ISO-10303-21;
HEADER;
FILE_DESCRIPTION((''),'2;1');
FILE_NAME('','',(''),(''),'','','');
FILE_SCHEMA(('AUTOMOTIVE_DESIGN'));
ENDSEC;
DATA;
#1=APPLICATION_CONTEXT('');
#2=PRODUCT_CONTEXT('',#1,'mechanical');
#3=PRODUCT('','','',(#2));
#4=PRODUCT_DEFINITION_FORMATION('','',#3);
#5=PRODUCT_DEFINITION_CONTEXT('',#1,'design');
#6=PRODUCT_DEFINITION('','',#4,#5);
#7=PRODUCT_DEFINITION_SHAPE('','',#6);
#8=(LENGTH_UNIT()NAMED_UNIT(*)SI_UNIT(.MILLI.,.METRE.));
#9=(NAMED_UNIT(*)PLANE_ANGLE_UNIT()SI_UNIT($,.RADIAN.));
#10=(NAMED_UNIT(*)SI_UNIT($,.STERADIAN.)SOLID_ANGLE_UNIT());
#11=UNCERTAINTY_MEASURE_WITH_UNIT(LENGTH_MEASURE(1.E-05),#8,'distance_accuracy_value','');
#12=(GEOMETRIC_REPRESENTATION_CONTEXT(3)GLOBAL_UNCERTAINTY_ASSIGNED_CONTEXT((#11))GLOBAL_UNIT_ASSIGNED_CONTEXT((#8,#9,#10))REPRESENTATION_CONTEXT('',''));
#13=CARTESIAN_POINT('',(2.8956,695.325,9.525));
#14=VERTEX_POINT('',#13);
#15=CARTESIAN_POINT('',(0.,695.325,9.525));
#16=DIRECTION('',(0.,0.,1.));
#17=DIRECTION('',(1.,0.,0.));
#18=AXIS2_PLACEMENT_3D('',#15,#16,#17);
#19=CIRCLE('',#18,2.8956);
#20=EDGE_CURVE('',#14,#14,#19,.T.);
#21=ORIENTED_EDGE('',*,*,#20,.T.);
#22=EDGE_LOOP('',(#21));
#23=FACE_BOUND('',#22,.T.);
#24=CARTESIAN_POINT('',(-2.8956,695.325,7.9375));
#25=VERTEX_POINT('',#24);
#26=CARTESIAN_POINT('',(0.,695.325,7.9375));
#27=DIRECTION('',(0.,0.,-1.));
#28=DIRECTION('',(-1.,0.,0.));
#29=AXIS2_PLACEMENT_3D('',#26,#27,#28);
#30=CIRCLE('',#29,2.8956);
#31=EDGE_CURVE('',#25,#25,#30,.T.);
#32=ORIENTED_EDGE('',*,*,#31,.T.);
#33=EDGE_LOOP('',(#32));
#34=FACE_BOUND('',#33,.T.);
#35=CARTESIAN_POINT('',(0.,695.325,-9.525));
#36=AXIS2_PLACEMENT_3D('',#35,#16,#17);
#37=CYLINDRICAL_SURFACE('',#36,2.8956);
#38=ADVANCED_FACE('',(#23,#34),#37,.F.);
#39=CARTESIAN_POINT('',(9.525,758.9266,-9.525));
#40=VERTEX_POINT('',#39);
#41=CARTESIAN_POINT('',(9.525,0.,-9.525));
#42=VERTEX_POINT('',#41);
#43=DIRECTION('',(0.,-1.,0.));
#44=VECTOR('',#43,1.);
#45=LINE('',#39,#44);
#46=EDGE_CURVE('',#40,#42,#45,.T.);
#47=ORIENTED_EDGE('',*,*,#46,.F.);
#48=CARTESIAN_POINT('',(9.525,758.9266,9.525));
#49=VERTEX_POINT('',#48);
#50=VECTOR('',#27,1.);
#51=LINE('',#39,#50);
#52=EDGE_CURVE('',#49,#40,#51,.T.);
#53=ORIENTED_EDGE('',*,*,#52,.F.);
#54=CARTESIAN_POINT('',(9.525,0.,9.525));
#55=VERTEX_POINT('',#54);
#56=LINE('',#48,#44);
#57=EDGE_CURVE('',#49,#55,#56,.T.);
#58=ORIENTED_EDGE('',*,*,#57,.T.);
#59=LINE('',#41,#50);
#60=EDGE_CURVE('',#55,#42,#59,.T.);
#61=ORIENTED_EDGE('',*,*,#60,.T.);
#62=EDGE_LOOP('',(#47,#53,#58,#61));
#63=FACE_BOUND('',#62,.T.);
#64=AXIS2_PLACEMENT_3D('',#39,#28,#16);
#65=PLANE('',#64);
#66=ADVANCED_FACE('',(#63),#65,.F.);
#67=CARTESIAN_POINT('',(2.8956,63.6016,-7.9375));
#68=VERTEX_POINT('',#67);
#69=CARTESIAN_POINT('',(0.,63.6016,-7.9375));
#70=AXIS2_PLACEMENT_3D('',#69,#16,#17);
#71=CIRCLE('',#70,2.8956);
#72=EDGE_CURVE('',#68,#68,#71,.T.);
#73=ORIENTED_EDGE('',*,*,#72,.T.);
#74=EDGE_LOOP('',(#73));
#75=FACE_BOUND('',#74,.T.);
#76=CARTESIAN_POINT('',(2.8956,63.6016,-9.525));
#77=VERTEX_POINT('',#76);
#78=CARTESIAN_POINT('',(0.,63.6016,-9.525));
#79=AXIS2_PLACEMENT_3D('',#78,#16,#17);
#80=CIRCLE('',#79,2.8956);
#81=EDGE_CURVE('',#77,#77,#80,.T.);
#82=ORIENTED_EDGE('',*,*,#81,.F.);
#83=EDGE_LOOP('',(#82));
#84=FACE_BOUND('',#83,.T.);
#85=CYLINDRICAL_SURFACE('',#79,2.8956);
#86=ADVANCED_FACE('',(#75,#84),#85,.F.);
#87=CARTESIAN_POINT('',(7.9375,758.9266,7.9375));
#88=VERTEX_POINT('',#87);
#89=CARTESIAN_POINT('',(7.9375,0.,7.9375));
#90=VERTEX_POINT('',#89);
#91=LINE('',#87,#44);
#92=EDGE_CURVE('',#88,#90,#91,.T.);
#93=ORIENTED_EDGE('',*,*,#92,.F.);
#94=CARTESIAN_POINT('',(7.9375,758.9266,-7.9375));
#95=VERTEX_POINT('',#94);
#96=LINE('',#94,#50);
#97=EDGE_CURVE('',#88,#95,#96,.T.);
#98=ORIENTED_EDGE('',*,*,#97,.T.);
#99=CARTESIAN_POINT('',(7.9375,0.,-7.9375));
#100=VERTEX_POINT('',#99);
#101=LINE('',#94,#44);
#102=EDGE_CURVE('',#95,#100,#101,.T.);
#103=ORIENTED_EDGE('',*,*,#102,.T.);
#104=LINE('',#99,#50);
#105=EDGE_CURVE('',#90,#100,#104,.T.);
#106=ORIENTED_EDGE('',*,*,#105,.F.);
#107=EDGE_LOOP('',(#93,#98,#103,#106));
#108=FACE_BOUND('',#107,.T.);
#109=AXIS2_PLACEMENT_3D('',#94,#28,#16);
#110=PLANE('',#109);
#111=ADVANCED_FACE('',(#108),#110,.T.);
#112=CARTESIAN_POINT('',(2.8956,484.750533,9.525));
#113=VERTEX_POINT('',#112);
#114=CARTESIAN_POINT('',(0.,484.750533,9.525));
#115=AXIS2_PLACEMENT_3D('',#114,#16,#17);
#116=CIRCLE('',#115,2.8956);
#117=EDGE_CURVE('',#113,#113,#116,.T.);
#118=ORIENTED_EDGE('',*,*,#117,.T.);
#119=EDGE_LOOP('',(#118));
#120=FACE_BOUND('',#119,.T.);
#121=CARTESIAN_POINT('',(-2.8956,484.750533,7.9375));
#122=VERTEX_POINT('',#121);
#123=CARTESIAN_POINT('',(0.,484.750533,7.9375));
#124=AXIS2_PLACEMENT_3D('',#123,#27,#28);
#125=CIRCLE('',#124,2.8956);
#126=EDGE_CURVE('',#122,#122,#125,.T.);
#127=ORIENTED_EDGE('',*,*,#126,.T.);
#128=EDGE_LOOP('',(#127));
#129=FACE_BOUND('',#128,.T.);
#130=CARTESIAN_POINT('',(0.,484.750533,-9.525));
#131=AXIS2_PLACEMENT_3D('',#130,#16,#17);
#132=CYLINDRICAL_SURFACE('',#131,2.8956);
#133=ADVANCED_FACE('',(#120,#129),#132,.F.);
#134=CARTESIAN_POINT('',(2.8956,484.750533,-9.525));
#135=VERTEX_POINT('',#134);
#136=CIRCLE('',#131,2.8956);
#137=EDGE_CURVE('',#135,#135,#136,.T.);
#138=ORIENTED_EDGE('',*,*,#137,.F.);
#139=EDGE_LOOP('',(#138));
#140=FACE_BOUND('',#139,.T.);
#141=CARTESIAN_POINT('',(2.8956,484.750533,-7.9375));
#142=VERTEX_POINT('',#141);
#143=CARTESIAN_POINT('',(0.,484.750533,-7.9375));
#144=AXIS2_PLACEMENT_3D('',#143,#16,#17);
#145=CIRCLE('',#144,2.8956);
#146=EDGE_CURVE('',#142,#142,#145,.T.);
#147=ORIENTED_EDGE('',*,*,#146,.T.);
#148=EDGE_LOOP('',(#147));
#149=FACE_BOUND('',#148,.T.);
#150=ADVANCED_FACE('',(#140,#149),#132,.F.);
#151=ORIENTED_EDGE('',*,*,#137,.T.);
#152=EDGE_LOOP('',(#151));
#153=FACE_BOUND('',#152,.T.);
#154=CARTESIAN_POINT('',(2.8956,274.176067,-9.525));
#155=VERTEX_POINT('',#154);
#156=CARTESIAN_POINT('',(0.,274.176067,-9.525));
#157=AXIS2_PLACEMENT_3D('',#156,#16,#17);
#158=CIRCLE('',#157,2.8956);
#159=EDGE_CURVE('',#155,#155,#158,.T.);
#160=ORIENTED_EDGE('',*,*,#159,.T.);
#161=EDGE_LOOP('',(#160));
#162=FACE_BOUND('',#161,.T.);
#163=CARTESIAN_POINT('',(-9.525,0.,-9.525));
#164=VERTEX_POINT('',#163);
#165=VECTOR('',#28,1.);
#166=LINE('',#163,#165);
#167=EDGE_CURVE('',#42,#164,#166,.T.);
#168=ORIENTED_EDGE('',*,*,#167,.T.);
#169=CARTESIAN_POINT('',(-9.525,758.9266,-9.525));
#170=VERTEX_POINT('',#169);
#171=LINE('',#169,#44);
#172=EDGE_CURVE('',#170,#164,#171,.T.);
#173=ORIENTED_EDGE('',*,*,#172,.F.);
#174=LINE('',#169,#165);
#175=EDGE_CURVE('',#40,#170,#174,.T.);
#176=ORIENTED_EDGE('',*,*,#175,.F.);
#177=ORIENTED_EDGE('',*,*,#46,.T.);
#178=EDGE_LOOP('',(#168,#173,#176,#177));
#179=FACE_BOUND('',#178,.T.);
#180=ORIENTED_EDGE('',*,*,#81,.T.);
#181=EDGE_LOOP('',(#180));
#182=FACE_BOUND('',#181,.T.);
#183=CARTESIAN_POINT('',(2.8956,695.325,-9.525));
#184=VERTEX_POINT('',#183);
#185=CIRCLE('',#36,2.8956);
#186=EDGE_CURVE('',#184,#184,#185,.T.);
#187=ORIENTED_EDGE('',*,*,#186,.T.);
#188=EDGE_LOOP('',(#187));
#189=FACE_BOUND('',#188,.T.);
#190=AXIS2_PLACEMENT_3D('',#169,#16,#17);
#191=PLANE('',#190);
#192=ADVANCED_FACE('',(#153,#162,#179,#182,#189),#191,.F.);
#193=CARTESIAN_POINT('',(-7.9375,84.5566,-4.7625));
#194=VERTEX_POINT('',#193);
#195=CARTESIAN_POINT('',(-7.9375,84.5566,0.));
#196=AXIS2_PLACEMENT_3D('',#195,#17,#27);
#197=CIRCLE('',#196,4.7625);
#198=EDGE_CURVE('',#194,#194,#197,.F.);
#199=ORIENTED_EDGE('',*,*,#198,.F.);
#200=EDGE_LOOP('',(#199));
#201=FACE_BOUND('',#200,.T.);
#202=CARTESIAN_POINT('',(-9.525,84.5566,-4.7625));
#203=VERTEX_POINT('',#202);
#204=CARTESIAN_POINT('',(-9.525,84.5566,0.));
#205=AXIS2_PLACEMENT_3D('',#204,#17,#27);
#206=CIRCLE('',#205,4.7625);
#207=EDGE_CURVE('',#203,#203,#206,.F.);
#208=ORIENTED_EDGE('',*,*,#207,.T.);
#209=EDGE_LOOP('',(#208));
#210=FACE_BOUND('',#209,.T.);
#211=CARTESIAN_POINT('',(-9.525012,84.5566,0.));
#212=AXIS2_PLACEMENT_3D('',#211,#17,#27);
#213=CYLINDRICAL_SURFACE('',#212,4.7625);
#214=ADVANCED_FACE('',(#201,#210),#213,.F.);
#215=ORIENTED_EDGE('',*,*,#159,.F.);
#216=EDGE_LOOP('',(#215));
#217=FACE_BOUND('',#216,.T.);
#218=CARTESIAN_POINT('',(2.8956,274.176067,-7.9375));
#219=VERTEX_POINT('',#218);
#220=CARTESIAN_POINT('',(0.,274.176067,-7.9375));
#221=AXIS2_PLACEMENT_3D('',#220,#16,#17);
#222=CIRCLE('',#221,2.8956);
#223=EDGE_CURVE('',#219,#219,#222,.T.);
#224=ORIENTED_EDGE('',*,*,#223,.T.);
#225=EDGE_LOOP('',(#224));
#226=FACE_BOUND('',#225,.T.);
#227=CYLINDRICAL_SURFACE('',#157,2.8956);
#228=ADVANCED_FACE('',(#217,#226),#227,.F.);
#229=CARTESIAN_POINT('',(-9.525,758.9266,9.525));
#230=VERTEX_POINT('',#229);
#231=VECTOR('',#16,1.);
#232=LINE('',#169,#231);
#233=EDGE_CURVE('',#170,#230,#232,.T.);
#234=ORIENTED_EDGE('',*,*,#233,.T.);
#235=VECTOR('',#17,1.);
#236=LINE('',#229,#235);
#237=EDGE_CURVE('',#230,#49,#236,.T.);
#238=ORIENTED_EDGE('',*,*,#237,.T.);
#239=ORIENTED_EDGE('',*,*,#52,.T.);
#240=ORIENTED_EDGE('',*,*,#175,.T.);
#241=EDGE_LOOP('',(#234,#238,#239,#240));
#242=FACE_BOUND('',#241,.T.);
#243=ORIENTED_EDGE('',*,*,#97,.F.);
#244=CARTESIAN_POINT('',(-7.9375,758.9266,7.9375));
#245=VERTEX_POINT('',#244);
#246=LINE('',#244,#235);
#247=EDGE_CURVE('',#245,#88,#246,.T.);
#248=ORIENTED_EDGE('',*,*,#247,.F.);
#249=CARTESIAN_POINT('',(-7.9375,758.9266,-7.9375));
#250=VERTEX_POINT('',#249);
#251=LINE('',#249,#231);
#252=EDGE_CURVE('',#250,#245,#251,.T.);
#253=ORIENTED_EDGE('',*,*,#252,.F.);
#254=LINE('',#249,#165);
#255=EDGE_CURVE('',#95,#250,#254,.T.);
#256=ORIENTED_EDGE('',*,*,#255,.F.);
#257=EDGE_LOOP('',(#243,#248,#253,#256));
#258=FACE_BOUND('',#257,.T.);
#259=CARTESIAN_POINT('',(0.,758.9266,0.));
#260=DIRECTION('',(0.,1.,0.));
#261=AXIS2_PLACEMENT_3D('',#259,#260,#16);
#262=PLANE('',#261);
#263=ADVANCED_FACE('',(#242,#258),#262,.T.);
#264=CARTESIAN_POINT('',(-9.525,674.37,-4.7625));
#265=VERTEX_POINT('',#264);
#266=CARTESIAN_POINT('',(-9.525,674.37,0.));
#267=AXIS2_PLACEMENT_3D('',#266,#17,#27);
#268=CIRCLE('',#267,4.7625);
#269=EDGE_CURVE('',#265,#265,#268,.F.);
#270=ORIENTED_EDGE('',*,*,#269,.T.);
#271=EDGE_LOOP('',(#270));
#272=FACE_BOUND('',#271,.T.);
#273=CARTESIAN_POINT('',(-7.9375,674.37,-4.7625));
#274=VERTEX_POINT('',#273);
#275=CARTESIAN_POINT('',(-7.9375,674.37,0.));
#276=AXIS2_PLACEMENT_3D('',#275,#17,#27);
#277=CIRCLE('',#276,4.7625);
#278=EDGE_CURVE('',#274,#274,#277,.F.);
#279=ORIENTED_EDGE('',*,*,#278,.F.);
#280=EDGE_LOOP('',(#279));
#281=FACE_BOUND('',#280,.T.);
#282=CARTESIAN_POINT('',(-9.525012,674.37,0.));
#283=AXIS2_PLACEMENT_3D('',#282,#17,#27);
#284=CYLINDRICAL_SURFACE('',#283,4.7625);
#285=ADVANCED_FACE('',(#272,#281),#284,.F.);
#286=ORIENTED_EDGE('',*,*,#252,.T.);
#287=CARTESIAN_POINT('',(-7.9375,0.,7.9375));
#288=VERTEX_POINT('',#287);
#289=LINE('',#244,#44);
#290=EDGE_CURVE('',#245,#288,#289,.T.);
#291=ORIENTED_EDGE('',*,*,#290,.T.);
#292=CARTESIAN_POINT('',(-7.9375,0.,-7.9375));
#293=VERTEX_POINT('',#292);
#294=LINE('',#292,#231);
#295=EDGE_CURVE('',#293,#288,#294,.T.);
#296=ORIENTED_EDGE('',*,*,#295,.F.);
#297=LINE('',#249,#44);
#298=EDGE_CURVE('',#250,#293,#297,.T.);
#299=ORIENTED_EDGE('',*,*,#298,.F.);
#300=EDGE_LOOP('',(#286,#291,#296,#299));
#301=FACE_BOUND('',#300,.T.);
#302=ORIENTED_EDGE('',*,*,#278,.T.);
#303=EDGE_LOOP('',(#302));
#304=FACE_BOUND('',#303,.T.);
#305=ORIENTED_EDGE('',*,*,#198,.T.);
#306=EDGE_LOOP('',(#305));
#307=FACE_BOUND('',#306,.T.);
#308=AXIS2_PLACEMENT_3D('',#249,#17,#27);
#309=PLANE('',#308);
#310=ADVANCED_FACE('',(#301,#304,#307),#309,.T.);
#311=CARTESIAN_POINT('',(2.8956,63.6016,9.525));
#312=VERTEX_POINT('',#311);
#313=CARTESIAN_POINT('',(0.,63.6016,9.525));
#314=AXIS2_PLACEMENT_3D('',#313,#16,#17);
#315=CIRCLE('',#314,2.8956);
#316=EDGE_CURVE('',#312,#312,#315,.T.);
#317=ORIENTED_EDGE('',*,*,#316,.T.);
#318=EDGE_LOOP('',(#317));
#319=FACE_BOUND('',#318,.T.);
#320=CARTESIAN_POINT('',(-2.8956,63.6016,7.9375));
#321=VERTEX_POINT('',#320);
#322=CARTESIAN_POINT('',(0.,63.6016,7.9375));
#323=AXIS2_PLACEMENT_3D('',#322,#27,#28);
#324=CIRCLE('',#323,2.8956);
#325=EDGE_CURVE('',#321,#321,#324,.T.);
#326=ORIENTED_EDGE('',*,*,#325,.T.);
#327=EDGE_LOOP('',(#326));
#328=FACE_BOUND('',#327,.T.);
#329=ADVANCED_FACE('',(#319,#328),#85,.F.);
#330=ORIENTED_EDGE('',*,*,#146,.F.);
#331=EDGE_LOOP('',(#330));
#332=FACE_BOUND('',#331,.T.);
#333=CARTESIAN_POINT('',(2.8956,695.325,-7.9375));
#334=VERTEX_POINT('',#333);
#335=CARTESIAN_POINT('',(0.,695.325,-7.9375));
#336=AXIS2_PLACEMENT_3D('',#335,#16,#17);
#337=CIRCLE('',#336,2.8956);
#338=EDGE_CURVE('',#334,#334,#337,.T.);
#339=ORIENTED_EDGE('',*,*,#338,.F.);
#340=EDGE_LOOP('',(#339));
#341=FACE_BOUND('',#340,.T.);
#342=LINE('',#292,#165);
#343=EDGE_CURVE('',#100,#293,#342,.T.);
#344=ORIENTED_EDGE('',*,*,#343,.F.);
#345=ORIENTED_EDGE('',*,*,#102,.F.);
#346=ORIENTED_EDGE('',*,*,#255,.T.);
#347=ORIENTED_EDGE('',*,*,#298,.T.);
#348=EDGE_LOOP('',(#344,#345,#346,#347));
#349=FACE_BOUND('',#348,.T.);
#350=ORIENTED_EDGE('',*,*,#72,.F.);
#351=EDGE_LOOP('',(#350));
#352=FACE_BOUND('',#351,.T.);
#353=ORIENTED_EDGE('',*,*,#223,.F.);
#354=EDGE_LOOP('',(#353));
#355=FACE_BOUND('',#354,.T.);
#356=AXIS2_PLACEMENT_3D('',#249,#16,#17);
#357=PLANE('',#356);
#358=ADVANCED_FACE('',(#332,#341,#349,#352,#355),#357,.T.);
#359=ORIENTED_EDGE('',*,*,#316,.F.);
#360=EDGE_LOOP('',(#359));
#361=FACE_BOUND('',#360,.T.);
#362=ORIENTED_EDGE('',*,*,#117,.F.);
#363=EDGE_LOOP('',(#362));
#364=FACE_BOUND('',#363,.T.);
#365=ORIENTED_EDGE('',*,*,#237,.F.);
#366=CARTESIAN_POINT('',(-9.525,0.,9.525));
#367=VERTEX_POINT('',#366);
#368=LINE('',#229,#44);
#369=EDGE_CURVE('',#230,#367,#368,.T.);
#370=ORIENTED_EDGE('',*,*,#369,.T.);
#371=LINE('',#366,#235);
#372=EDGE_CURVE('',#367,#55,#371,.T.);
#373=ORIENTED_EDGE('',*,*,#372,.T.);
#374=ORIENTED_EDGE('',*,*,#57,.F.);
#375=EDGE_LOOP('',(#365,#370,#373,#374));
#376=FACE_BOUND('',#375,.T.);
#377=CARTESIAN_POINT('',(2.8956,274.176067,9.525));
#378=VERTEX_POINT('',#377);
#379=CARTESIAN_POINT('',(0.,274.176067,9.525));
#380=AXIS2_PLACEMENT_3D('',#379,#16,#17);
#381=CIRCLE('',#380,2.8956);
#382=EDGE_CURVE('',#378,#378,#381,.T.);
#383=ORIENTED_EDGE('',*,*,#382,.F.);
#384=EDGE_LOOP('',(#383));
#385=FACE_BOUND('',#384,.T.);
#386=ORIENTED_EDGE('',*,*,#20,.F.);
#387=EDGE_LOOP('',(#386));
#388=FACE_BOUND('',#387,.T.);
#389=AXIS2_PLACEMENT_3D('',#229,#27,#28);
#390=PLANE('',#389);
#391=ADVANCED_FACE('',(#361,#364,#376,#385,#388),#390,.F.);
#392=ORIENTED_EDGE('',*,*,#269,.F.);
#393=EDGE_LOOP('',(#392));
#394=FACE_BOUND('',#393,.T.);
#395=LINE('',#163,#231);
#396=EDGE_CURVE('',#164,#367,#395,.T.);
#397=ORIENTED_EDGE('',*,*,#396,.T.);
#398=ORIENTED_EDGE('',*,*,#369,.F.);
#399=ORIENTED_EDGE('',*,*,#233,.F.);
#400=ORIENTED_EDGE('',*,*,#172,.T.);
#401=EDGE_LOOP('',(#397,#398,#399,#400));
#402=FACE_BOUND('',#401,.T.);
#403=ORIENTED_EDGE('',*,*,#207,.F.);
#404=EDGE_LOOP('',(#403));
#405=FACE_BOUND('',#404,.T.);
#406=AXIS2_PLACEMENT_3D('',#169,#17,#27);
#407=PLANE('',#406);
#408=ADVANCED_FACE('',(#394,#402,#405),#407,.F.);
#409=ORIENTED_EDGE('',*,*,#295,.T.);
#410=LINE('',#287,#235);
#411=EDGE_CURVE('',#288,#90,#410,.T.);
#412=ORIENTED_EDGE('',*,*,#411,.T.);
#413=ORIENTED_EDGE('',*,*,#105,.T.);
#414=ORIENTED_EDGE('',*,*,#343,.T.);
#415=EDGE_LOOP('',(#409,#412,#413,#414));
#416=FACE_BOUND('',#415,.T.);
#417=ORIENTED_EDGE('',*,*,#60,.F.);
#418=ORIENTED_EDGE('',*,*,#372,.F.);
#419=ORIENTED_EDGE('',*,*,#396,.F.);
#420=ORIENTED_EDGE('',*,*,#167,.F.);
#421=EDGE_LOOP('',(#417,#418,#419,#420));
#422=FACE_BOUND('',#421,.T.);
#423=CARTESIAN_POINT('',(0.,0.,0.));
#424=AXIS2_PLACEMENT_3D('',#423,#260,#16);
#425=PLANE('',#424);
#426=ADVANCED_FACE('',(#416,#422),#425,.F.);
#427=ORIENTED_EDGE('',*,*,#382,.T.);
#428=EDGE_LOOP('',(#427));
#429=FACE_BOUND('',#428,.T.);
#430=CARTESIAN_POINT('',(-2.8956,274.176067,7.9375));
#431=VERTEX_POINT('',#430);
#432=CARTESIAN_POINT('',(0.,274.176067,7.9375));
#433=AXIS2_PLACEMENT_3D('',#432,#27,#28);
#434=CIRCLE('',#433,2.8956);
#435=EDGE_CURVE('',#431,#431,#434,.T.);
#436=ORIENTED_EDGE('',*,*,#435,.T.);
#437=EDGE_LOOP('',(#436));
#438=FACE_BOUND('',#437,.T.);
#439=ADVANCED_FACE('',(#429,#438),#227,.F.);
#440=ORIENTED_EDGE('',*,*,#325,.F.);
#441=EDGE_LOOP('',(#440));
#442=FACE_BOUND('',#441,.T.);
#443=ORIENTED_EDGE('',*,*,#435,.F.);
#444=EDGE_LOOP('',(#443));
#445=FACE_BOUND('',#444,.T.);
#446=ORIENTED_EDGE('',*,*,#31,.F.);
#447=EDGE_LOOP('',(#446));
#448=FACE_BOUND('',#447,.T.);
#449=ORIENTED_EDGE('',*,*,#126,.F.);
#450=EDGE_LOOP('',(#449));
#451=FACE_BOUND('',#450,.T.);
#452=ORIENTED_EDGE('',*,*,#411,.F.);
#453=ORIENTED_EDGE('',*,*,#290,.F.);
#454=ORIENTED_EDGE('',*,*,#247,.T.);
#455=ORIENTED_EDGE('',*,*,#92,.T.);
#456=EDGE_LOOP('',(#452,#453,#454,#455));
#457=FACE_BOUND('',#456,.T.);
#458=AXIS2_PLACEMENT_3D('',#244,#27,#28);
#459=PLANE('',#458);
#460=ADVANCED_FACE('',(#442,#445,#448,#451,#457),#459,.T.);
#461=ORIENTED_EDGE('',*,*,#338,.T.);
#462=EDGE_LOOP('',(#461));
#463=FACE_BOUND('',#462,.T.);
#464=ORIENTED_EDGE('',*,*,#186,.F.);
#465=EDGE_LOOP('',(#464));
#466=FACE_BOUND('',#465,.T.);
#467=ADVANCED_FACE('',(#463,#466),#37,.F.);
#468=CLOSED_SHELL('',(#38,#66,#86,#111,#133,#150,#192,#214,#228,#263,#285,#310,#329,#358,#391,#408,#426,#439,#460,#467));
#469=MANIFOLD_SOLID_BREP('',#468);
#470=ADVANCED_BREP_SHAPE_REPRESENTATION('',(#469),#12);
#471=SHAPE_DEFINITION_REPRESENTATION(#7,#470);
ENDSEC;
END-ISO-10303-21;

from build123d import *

# Parameters (mm, degrees)
SKETCH1_W                      = 19.05
SKETCH1_H                      = 19.05
SKETCH1_W_2                    = 15.875
SKETCH1_H_2                    = 15.875
TUBE_DEPTH                     = 758.9266
SKETCH2_R                      = 2.8956
SIDE_WALL_HOLES_DEPTH          = 20.05
LPATTERN1_COUNT                = 4
LPATTERN1_PITCH                = 210.574466667
CUT_EXTRUDE1_REACH             = 21.05
SKETCH3_R                      = 4.7625
CUT_EXTRUDE1_DIRECTION_2_DEPTH = 1


with BuildPart() as part:
    # Sketch1 → Tube (new body)
    with BuildSketch(Plane(origin=(0, 0, 0), x_dir=(1, 0, 0), z_dir=(0, 1, 0))):
        Rectangle(SKETCH1_W, SKETCH1_H)
        Rectangle(SKETCH1_W_2, SKETCH1_H_2, mode=Mode.SUBTRACT)
    extrude(amount=TUBE_DEPTH)

    # Sketch2 → Side Wall Holes (cut, through all)
    with BuildSketch(Plane.XY.offset(9.525)):
        with Locations((0, 695.325)):
            Circle(SKETCH2_R)
    side_wall_holes = extrude(amount=-SIDE_WALL_HOLES_DEPTH, mode=Mode.SUBTRACT)

    # LPattern1: Side Wall Holes ×4
    with Locations(*[(0, -i * LPATTERN1_PITCH, 0) for i in range(1, LPATTERN1_COUNT)]):
        add(side_wall_holes, mode=Mode.SUBTRACT)

    # Sketch3 → Cut-Extrude1 (cut, up to next)
    with BuildSketch(Plane.ZY.offset(9.525), mode=Mode.PRIVATE) as cut_extrude1_sk1:
        with Locations((0, 674.37)):
            Circle(SKETCH3_R)
    cut_extrude1_tool1 = extrude(cut_extrude1_sk1.sketch, amount=-CUT_EXTRUDE1_REACH, mode=Mode.PRIVATE) & part.part
    add(cut_extrude1_tool1.solids().sort_by_distance((-9.525, 674.37, 0))[0], mode=Mode.SUBTRACT)
    # Sketch3 → Cut-Extrude1 (cut, up to next)
    with BuildSketch(Plane.ZY.offset(9.525), mode=Mode.PRIVATE) as cut_extrude1_sk2:
        with Locations((0, 84.5566)):
            Circle(SKETCH3_R)
    cut_extrude1_tool2 = extrude(cut_extrude1_sk2.sketch, amount=-CUT_EXTRUDE1_REACH, mode=Mode.PRIVATE) & part.part
    add(cut_extrude1_tool2.solids().sort_by_distance((-9.525, 84.5566, 0))[0], mode=Mode.SUBTRACT)

    # Sketch3 → Cut-Extrude1 direction 2 (cut)
    with BuildSketch(Plane.ZY.offset(9.525)):
        with Locations((0, 674.37)):
            Circle(SKETCH3_R)
        with Locations((0, 84.5566)):
            Circle(SKETCH3_R)
    extrude(amount=CUT_EXTRUDE1_DIRECTION_2_DEPTH, mode=Mode.SUBTRACT)


solid = part.part
